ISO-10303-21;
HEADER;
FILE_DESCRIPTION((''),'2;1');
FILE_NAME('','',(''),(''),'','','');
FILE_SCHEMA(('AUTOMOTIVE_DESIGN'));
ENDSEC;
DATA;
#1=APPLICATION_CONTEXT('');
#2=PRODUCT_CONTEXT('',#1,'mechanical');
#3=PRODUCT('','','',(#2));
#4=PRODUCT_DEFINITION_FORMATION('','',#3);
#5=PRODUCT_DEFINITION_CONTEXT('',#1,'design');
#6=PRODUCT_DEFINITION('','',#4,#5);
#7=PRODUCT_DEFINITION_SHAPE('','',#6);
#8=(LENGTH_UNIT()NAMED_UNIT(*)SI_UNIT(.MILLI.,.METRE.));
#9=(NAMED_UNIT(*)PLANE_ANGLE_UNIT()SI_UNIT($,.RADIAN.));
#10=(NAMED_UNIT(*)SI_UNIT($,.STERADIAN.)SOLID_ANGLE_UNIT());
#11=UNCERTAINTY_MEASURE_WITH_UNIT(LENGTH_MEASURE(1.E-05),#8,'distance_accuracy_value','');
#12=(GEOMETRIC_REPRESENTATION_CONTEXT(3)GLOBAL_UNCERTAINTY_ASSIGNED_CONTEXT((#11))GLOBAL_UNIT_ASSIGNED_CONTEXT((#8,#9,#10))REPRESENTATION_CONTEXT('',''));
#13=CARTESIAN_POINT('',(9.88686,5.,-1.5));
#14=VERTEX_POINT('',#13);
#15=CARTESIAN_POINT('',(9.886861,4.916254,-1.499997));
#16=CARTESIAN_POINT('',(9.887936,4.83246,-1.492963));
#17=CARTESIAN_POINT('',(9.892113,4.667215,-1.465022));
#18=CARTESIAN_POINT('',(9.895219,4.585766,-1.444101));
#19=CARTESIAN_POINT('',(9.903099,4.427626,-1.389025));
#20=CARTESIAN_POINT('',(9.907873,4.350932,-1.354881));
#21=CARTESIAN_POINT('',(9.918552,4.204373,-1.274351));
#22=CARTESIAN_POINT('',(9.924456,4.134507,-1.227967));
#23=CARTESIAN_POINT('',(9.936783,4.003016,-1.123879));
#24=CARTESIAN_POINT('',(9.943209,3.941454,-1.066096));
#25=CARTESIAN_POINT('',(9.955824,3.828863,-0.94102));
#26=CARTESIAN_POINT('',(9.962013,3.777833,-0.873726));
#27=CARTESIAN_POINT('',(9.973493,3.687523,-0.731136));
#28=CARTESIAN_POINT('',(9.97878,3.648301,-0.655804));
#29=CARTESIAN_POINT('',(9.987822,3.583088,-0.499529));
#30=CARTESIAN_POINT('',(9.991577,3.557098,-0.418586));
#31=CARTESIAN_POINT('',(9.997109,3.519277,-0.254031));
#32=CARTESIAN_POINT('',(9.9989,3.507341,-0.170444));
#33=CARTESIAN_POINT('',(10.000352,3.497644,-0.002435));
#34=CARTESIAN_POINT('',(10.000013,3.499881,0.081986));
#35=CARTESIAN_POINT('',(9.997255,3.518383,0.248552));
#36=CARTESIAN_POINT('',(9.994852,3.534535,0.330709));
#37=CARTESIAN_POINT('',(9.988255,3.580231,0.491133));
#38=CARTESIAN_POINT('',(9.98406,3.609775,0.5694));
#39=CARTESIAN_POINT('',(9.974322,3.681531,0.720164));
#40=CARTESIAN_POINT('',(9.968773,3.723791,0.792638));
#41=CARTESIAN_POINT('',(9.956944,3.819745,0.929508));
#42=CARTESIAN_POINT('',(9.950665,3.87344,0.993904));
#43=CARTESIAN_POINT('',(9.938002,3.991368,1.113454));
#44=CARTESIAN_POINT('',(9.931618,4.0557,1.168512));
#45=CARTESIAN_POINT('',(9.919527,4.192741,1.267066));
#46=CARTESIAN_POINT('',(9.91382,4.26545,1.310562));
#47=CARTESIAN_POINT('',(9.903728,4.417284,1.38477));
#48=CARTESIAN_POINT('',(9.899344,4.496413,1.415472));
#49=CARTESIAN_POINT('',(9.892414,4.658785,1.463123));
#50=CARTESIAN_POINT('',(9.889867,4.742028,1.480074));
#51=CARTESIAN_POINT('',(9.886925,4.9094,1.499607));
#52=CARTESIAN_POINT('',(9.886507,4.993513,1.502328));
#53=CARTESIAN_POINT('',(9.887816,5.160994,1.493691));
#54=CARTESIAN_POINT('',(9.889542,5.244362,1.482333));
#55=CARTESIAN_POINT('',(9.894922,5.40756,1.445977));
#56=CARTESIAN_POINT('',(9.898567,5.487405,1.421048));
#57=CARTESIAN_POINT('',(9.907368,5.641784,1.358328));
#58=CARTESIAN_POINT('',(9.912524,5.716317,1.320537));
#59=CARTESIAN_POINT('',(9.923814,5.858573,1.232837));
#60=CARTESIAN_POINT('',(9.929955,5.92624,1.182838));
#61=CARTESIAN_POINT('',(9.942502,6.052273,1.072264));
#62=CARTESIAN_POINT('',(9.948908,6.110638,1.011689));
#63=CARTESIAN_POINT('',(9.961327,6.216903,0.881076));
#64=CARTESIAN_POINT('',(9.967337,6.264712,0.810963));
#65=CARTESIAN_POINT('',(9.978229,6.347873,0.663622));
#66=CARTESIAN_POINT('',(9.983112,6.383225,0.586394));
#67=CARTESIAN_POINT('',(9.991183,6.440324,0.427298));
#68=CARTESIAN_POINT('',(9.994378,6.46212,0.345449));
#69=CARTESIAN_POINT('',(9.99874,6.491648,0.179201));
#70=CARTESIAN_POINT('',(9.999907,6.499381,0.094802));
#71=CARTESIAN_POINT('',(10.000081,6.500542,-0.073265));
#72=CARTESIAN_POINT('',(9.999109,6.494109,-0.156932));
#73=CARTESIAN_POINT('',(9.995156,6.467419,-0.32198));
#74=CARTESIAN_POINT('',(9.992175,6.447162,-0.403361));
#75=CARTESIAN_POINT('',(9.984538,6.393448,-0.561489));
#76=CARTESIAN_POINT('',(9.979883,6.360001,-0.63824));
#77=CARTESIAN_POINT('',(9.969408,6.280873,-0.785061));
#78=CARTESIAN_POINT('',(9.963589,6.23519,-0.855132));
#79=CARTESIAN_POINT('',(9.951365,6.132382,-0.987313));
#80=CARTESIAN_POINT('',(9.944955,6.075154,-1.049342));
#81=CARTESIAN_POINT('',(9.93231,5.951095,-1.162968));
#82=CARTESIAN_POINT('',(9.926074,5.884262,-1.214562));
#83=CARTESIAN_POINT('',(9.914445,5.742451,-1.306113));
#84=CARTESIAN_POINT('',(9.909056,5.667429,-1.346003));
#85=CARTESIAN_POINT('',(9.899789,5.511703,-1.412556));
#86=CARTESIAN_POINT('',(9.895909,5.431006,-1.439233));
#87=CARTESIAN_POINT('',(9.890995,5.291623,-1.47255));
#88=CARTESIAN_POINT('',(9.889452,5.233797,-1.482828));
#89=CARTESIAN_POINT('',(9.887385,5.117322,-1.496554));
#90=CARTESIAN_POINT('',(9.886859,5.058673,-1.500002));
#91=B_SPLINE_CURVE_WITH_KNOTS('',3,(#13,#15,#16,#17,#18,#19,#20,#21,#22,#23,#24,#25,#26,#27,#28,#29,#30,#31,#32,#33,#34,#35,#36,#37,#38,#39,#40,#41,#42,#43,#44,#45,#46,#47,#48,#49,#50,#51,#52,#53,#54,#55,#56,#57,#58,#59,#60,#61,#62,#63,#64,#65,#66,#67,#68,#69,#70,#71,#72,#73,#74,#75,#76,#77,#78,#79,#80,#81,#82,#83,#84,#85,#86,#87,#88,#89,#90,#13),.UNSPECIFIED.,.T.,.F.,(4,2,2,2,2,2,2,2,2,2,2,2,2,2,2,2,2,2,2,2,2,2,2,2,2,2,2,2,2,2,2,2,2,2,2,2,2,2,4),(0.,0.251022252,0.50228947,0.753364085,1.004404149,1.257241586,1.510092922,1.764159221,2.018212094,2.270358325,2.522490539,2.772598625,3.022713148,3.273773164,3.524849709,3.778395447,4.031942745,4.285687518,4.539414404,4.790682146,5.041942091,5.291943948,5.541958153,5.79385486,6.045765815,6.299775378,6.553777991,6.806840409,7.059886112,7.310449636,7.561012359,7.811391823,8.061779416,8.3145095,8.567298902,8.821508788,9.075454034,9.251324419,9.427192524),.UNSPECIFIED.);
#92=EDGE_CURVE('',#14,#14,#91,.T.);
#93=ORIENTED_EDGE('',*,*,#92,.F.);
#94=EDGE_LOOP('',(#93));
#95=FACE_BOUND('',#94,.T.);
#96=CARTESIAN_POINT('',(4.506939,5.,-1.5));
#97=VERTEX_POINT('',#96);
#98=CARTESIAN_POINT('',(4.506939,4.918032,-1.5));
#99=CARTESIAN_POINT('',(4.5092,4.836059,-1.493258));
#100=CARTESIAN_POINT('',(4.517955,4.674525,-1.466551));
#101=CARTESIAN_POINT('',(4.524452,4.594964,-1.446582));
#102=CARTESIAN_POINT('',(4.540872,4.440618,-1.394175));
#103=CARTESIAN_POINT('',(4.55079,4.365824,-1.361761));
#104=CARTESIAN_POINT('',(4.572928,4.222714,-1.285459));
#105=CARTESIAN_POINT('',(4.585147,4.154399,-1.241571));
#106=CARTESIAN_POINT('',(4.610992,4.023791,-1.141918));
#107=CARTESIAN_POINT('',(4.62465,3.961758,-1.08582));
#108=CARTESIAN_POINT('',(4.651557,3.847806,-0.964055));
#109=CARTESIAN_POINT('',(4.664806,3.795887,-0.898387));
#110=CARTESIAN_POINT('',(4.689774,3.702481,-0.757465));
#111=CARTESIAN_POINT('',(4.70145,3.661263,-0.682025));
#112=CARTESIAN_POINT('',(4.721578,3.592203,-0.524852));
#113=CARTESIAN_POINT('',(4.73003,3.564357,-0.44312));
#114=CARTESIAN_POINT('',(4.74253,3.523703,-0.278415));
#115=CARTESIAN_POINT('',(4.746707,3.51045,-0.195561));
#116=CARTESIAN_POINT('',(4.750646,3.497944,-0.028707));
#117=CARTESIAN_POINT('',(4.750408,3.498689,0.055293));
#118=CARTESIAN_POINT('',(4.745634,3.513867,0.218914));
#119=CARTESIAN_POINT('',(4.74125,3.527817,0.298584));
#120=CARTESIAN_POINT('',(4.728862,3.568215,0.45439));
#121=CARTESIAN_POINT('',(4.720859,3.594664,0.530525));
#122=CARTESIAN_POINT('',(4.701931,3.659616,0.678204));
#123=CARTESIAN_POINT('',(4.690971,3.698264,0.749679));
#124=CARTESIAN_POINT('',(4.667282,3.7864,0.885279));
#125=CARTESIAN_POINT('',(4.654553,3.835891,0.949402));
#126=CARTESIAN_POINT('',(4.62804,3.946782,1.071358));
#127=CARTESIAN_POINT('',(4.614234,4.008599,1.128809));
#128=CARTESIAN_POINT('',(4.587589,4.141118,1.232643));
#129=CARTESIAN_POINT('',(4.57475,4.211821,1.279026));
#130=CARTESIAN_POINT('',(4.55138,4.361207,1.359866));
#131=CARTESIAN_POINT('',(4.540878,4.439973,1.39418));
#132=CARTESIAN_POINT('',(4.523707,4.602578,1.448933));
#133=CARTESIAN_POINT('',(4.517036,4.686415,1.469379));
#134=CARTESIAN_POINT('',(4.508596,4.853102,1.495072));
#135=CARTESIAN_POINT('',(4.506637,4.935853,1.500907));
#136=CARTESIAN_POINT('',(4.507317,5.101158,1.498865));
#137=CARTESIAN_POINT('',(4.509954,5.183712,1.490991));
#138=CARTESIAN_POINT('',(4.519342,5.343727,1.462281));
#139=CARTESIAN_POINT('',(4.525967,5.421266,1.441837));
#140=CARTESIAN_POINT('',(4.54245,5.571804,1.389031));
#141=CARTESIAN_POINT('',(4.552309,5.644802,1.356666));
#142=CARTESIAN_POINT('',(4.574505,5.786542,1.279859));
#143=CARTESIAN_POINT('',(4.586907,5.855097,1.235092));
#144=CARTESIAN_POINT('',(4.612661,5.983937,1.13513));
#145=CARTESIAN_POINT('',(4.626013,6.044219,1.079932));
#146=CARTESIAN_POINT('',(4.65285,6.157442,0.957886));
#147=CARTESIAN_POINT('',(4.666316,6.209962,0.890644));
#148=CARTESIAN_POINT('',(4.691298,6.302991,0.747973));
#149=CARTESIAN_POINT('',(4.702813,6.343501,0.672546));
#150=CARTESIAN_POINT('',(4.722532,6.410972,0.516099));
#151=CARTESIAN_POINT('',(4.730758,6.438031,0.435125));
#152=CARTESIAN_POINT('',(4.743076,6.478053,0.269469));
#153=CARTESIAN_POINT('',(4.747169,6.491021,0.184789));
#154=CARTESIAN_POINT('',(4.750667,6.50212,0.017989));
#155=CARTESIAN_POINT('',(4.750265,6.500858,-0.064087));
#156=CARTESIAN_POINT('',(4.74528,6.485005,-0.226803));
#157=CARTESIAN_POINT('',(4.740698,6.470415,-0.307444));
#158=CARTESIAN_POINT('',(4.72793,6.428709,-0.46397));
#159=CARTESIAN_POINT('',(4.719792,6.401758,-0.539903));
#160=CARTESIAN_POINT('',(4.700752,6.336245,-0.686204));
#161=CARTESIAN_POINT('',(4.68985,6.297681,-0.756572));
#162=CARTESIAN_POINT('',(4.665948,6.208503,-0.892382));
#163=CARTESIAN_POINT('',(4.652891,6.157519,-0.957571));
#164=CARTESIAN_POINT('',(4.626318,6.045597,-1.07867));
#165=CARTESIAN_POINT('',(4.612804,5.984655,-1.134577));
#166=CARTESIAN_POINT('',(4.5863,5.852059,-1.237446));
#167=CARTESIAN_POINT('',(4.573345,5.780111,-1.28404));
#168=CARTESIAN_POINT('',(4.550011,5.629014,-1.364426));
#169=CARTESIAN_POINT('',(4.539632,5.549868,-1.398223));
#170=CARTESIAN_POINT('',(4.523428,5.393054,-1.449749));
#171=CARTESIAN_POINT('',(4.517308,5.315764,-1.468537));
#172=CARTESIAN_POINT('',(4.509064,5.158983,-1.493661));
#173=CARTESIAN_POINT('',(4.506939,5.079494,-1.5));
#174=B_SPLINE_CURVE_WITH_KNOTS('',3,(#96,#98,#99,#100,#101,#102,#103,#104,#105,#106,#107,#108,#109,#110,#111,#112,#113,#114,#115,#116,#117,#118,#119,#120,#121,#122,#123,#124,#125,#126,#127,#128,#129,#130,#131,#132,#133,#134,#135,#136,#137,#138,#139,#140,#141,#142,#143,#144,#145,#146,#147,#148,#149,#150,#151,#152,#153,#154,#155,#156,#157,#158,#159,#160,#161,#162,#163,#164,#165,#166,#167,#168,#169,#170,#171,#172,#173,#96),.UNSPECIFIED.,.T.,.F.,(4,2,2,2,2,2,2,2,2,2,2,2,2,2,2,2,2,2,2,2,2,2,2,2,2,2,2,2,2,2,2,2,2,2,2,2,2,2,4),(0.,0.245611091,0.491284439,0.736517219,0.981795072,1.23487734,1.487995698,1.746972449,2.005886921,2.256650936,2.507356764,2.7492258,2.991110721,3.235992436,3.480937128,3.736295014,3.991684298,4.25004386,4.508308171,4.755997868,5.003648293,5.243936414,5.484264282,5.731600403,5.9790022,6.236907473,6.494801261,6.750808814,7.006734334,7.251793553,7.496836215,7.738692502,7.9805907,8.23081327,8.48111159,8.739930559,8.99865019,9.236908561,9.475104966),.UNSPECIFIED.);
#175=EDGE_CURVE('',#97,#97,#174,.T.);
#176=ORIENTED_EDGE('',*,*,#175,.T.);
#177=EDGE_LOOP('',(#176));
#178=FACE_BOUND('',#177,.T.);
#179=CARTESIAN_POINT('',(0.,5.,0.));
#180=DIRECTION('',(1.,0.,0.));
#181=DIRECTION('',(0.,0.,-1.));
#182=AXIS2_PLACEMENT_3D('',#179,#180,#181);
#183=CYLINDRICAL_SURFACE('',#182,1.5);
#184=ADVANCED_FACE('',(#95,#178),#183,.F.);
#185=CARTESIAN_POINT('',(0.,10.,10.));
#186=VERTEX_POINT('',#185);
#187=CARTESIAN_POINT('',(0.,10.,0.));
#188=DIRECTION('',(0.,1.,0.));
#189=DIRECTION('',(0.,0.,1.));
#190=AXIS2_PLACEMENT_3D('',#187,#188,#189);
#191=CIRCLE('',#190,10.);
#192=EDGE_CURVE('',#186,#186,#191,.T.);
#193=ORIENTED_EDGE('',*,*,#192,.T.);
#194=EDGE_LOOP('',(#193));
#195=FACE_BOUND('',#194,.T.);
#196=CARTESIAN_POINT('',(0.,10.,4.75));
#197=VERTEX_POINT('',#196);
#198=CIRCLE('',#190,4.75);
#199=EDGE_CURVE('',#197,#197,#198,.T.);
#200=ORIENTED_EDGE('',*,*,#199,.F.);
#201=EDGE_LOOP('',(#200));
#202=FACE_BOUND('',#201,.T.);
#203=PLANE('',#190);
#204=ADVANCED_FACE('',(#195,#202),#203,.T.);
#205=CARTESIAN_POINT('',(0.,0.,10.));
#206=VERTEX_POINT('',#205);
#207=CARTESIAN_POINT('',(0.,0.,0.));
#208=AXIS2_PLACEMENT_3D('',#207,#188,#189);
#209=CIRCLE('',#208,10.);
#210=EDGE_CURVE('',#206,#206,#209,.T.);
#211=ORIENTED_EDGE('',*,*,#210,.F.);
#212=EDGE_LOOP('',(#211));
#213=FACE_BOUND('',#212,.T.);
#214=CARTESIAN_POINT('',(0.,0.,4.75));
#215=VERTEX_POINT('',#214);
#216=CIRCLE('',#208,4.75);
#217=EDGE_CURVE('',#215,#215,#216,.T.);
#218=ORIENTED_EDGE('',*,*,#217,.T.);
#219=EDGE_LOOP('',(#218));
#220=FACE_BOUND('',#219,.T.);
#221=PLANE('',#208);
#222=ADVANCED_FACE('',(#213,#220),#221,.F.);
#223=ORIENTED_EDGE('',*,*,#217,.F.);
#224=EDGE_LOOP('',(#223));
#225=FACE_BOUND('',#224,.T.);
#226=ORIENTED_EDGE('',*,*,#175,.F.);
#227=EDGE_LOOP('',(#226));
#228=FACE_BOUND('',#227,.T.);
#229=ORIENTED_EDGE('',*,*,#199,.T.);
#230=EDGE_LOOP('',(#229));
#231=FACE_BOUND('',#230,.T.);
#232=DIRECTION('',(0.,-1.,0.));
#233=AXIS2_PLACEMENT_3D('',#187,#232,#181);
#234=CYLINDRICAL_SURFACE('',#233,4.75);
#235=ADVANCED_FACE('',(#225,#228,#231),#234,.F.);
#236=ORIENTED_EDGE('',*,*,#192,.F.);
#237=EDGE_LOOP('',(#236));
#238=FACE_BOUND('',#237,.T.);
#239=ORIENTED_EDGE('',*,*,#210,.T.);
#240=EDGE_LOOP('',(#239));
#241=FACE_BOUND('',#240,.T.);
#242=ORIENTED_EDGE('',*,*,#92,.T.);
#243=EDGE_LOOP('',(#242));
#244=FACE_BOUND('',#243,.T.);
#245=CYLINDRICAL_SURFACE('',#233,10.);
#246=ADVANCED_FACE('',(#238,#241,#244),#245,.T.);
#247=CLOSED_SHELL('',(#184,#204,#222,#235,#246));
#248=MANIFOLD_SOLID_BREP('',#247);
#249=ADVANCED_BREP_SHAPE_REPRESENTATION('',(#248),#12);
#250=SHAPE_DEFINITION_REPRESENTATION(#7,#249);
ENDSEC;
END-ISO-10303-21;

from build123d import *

# Parameters (mm, degrees)
SKETCH1_R           = 10
SKETCH1_R_2         = 4.75
BOSS_EXTRUDE1_DEPTH = 10
CUT_EXTRUDE1_DEPTH  = 10


with BuildPart() as part:
    # Sketch1 → Boss-Extrude1 (new body)
    with BuildSketch(Plane(origin=(0, 0, 0), x_dir=(1, 0, 0), z_dir=(0, 1, 0))):
        Circle(SKETCH1_R)
        Circle(SKETCH1_R_2, mode=Mode.SUBTRACT)
    extrude(amount=BOSS_EXTRUDE1_DEPTH)

    # Sketch2 → Cut-Extrude1 (cut)
    with BuildSketch(Plane(origin=(10, 0, 0), x_dir=(0, 0, -1), z_dir=(1, 0, 0))):
        with BuildLine():
            ThreePointArc((0, 6.5), (-1.5, 5), (0, 3.5))
            Line((0, 3.5), (0, 6.5))
        make_face()
        with BuildLine():
            Line((0, 6.5), (0, 3.5))
            ThreePointArc((0, 3.5), (1.060660172, 3.939339828), (1.5, 5))
            ThreePointArc((1.5, 5), (1.060660172, 6.060660172), (0, 6.5))
        make_face()
    extrude(amount=-CUT_EXTRUDE1_DEPTH, mode=Mode.SUBTRACT)


solid = part.part
